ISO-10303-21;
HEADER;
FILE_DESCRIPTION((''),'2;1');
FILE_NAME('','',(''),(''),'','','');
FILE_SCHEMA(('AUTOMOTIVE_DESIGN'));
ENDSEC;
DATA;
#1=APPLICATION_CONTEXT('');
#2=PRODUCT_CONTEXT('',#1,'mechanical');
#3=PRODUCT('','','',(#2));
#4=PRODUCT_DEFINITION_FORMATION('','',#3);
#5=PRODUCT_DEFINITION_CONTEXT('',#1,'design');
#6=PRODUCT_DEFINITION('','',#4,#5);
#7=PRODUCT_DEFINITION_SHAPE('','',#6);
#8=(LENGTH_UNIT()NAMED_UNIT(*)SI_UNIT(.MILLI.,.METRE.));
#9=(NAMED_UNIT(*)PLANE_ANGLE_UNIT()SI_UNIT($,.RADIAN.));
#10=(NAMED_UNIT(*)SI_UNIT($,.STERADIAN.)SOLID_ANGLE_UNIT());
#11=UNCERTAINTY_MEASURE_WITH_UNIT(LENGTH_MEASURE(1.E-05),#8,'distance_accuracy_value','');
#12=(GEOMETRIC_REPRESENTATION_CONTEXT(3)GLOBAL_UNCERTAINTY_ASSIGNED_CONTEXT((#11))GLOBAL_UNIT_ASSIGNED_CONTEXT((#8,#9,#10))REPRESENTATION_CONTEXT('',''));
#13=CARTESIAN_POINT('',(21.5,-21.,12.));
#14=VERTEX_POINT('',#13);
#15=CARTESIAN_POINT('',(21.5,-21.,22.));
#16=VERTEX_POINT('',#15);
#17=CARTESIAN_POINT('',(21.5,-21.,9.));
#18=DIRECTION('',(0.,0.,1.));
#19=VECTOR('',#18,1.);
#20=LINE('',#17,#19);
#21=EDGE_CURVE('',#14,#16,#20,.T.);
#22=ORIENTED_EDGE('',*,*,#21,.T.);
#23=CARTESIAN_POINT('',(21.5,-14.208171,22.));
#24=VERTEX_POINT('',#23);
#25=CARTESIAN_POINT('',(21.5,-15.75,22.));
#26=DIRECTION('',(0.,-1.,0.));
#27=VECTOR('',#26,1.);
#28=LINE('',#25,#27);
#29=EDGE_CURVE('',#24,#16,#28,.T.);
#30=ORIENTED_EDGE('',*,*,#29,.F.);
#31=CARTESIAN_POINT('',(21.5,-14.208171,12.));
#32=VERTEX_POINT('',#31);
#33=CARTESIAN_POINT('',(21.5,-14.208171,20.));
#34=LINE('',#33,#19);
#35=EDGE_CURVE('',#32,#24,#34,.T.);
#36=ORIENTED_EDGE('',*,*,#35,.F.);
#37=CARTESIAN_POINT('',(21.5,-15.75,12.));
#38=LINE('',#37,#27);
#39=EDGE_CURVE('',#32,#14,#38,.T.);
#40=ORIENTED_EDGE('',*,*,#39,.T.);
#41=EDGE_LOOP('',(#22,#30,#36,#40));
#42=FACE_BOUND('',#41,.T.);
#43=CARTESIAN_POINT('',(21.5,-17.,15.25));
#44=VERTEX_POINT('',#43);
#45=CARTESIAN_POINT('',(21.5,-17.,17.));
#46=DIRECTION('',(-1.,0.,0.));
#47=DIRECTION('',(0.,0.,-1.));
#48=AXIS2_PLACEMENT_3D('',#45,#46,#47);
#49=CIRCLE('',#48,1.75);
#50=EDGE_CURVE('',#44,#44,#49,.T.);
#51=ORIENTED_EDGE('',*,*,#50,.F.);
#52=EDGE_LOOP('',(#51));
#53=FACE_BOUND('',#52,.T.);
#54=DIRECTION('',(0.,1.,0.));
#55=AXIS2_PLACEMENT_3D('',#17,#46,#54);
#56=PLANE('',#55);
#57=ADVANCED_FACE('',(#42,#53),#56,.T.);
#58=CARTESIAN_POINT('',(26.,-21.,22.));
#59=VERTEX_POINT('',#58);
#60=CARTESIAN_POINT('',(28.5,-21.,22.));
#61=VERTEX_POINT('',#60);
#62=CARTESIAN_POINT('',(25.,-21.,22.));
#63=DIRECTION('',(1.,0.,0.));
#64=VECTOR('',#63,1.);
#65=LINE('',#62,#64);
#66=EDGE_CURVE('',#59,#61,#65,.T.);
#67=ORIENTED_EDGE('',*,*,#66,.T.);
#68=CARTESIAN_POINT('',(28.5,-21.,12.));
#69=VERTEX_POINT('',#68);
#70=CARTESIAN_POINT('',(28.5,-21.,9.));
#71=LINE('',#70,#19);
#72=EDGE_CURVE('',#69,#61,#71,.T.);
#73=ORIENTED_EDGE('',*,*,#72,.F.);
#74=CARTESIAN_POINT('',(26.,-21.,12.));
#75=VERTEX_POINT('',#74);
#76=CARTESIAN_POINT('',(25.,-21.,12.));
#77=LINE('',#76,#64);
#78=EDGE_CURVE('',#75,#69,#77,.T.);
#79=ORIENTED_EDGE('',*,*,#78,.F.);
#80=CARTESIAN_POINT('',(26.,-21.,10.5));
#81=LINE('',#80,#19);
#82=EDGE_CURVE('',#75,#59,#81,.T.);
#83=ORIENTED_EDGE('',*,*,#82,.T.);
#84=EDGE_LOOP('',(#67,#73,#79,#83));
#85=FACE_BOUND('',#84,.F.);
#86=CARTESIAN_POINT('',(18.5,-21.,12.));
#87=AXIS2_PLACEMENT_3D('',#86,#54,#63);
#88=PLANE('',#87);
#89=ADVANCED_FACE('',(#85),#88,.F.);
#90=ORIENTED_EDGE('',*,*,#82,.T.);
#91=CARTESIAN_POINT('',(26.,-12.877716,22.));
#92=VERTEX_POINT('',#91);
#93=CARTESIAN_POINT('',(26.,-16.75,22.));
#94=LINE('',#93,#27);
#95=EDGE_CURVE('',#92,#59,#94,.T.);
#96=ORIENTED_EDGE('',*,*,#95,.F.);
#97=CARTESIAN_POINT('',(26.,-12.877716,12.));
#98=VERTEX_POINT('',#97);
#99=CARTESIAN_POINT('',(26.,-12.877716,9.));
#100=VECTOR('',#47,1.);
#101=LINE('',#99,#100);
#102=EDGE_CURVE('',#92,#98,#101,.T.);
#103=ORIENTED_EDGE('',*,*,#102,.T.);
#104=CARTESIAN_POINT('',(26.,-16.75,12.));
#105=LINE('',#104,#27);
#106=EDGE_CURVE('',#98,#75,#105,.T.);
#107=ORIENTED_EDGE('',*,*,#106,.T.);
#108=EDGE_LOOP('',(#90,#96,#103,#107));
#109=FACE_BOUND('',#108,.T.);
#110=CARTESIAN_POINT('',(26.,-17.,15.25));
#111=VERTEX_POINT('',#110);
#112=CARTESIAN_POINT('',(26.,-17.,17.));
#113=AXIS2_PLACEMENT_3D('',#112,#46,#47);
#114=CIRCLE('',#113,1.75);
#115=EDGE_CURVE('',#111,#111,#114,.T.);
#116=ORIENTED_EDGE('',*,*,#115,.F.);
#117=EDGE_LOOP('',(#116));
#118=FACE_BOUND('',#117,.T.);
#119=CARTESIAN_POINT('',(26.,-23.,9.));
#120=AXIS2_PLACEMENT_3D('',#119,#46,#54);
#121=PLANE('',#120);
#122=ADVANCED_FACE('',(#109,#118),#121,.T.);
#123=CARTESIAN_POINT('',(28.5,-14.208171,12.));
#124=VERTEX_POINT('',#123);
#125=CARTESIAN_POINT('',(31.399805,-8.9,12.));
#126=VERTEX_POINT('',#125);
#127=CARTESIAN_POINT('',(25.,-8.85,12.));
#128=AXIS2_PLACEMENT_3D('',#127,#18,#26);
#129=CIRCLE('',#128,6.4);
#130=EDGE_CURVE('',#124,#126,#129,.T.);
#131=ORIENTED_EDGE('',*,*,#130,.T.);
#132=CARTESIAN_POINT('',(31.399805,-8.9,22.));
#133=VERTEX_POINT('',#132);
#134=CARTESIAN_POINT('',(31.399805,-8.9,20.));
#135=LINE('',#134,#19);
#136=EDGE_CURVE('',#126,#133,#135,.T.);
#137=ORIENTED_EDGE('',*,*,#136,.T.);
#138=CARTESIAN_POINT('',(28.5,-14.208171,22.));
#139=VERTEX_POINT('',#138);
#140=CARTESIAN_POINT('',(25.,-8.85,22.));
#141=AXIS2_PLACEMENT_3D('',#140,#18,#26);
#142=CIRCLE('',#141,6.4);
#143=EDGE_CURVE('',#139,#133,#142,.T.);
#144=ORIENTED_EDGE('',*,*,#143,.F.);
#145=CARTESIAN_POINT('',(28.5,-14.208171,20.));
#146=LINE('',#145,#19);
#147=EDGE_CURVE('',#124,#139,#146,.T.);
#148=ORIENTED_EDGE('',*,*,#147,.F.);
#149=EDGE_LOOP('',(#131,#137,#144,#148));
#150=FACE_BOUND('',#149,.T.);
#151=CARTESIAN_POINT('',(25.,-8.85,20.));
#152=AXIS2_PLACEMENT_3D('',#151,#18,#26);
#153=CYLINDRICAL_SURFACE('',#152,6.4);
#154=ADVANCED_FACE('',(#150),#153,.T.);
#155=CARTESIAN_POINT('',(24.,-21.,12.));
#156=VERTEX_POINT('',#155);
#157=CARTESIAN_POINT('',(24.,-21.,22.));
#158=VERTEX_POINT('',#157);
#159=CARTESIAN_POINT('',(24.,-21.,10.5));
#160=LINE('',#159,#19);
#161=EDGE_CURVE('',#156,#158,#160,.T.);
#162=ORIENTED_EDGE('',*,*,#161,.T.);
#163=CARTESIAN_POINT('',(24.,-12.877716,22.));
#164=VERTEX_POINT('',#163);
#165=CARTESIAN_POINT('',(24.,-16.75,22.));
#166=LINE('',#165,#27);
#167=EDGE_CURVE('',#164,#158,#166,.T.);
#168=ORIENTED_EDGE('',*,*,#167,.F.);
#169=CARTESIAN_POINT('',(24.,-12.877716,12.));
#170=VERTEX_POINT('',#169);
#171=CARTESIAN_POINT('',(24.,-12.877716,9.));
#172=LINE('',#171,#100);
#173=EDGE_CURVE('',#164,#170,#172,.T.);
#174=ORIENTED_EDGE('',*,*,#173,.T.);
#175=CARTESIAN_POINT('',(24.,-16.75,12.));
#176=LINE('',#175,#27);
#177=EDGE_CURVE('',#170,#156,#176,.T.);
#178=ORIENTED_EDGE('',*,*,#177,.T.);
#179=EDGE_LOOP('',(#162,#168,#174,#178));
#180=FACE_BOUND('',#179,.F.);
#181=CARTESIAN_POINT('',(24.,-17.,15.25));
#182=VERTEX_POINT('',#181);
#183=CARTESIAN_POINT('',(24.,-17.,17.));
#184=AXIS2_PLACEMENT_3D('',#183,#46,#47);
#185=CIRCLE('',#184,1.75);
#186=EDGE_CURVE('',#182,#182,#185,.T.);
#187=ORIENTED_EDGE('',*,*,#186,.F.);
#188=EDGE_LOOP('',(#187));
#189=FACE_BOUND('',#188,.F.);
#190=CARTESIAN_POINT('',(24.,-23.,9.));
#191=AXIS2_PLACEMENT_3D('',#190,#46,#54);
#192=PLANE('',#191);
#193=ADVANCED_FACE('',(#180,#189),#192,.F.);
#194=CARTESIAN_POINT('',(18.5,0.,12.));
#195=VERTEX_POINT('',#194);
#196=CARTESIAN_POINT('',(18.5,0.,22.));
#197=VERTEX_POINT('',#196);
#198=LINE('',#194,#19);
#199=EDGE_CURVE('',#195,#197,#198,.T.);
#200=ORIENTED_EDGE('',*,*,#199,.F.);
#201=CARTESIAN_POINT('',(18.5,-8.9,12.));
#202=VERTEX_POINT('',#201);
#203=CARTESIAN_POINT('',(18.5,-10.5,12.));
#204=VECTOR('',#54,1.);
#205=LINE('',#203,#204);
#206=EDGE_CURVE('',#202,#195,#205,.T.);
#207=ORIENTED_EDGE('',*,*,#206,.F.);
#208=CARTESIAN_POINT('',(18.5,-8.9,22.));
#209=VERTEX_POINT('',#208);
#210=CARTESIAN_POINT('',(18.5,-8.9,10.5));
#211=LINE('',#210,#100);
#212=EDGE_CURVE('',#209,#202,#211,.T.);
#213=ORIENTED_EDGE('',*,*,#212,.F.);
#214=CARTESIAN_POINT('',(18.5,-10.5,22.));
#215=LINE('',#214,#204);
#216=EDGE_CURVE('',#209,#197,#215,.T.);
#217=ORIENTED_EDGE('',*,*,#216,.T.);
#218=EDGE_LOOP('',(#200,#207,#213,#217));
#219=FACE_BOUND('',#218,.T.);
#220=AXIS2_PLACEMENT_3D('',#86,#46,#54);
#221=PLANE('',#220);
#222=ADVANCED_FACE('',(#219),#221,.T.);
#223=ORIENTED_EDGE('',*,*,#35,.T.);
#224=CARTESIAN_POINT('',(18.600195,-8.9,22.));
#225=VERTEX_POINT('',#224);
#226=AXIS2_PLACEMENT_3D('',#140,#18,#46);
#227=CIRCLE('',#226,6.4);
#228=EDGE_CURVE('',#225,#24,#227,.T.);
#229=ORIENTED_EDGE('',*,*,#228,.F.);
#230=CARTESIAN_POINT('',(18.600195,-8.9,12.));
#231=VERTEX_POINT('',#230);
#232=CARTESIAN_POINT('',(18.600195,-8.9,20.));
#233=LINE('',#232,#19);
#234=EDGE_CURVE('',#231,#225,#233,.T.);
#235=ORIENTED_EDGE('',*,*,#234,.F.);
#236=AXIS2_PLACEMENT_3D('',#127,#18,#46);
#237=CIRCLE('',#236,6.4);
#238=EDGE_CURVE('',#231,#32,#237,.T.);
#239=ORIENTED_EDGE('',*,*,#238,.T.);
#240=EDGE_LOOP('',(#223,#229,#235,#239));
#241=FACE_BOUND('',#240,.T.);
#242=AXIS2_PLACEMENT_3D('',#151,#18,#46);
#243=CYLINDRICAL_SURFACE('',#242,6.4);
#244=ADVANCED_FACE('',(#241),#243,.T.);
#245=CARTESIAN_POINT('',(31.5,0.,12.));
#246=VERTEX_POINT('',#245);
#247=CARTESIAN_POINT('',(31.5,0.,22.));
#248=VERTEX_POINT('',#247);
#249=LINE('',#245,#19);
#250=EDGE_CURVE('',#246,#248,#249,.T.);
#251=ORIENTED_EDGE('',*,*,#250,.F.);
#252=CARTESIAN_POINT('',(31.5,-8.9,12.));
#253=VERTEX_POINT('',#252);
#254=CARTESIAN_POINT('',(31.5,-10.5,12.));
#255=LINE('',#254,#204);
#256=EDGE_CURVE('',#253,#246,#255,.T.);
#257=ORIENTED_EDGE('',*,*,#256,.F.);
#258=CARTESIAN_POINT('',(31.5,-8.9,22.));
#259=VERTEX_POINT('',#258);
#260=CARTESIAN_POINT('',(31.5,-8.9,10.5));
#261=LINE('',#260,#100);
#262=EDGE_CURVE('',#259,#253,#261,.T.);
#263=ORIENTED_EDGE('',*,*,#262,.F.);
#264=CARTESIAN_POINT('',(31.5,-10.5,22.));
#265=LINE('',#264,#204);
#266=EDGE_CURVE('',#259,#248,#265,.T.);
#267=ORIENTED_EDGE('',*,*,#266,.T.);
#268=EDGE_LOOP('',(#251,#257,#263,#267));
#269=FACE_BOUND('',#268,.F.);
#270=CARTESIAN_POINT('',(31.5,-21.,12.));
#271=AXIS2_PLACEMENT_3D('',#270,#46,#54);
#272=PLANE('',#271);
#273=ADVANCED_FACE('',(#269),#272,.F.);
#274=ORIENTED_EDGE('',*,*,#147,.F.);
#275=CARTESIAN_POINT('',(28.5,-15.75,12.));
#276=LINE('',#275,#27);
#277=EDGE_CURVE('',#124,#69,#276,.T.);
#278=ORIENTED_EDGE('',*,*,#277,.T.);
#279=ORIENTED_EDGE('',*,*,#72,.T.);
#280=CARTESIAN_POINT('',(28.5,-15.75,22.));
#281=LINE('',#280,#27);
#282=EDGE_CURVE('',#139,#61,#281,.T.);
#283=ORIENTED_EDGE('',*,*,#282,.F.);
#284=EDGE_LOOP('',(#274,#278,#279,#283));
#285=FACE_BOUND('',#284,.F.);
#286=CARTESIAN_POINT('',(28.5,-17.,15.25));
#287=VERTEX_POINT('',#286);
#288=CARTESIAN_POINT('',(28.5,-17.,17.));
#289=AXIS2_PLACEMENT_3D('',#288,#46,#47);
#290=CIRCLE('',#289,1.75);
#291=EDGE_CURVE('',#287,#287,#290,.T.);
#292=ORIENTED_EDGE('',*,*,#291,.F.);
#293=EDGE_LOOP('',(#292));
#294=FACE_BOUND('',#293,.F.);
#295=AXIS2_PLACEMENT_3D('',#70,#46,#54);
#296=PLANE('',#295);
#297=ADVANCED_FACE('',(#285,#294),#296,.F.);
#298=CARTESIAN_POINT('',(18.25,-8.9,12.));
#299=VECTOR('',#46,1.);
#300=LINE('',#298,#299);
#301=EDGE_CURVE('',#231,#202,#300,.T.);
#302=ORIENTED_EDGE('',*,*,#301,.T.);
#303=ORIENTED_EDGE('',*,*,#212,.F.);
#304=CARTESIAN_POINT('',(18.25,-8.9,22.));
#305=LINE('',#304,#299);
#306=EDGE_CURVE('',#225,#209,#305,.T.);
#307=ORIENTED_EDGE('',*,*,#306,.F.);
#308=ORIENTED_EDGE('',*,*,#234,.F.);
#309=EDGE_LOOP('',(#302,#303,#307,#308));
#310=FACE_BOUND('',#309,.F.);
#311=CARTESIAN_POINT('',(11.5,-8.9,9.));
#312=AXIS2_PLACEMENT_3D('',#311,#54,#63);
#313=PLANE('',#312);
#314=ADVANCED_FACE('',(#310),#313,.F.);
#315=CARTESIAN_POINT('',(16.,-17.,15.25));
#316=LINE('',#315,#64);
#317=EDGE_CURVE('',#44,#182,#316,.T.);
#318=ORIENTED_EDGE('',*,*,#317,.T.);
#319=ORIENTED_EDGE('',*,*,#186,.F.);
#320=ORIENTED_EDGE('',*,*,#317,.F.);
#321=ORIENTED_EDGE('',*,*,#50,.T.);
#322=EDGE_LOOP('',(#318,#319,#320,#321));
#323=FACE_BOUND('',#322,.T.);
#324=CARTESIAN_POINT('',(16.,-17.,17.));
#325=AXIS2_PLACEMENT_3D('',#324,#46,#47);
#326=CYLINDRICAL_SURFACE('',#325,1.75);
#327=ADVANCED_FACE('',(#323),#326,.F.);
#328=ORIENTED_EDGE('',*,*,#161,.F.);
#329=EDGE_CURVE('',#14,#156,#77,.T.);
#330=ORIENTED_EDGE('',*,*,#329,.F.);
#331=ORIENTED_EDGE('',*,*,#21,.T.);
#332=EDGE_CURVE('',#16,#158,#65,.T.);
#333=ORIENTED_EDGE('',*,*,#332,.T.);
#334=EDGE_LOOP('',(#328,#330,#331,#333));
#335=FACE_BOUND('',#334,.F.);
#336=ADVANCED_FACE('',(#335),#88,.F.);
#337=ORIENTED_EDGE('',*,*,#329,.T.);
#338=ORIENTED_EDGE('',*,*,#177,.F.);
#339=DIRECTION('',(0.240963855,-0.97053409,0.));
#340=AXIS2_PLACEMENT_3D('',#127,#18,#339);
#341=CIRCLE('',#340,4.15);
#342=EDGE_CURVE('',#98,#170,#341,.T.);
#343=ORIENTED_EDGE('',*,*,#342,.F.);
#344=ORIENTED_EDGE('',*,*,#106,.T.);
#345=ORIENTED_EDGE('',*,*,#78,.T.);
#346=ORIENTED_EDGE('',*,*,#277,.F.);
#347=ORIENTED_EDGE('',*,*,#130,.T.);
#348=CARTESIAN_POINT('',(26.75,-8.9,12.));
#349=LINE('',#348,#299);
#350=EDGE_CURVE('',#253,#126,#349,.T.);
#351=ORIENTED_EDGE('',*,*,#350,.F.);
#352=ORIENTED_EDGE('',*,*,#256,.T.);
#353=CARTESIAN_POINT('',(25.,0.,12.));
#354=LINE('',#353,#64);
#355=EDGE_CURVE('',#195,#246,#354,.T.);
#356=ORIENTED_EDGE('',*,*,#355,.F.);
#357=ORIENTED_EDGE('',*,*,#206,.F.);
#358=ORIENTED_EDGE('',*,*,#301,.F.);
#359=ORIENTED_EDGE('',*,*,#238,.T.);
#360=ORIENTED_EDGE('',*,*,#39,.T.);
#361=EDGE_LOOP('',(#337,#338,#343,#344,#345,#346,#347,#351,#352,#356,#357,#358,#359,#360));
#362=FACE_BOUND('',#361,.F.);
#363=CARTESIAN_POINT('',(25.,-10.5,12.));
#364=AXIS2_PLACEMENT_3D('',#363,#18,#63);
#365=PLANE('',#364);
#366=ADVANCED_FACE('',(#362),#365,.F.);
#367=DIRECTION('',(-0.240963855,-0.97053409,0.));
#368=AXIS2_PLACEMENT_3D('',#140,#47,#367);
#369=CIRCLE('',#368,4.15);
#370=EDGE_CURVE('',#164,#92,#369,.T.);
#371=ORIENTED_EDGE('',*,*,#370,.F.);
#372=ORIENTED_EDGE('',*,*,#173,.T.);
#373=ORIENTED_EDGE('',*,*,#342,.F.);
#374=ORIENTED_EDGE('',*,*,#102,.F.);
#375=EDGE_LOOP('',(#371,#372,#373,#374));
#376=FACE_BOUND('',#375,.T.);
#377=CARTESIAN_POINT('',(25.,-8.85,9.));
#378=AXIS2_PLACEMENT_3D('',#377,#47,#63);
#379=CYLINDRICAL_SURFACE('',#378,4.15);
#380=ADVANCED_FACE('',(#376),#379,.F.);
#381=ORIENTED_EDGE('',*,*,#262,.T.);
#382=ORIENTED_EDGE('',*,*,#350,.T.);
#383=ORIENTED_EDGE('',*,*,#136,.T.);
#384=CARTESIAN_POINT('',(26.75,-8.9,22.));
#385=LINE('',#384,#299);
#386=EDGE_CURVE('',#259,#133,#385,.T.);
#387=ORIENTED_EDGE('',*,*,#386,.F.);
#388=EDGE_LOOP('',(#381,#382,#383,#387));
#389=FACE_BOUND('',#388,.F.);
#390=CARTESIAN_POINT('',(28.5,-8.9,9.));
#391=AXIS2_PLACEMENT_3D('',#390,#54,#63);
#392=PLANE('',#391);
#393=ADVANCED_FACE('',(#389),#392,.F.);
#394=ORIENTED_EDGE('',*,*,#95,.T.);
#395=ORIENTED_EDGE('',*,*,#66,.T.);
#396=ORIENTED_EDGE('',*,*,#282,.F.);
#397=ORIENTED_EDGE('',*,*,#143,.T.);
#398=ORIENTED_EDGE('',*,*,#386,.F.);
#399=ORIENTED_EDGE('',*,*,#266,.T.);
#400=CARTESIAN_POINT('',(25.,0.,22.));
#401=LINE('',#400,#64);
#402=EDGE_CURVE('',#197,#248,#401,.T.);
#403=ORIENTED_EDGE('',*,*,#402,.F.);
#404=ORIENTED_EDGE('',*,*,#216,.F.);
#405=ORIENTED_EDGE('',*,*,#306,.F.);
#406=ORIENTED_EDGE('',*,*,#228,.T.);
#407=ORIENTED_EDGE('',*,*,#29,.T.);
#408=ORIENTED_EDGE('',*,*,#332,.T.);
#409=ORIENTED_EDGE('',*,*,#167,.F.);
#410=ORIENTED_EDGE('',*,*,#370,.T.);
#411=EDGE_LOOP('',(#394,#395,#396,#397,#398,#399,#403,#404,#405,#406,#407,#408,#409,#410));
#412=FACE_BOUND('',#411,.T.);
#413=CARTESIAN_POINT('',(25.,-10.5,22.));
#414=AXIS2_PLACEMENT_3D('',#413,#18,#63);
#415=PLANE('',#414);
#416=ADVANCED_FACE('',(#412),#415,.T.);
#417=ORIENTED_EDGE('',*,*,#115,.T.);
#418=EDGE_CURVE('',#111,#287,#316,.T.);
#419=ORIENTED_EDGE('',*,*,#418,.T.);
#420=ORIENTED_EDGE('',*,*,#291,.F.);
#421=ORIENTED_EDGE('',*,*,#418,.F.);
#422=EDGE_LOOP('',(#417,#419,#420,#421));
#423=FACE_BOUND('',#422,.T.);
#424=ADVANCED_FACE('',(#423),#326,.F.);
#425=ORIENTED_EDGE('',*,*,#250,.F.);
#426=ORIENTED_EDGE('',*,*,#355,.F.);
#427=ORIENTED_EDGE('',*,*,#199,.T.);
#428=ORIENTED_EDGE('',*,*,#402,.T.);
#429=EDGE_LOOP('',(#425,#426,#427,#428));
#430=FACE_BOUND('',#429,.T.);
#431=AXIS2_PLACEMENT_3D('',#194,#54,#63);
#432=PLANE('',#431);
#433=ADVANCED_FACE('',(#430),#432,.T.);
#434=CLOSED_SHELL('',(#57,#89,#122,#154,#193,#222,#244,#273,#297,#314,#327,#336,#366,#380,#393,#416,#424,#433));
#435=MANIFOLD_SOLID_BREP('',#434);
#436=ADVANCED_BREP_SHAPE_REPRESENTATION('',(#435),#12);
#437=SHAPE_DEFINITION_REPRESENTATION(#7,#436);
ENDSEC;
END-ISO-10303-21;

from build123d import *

# Parameters (mm, degrees)
CYLINDER003_W     = 6.4
CYLINDER003_H     = 22
CYLINDER003_ANGLE = 90
BOX004_W          = 10
BOX004_H          = 12.1
BOX004_DEPTH      = 22
CYLINDER002_W     = 6.4
CYLINDER002_H     = 22
CYLINDER002_ANGLE = 90
BOX003_W          = 10
BOX003_H          = 12.1
BOX003_DEPTH      = 22
BOX002_W          = 2
BOX002_H          = 11
BOX002_DEPTH      = 22
CYLINDER001_R     = 1.75
CYLINDER001_DEPTH = 18
CYLINDER_R        = 4.15
CYLINDER_DEPTH    = 22
BOX001_W          = 13
BOX001_H          = 21
BOX001_DEPTH      = 10


with BuildPart() as cylinder003:
    # Cylinder003 → Cylinder003 (revolve)
    with BuildSketch(Plane(origin=(25, -6.85, -3), x_dir=(-1, 0, 0), z_dir=(0, 1, 0))):
        with Locations((3.2, 11)):
            Rectangle(CYLINDER003_W, CYLINDER003_H)
    revolve(axis=Axis((25, -6.85, -3), (0, 0, 1)), revolution_arc=CYLINDER003_ANGLE)


with BuildPart() as cut004:
    # Box004 → Box004 (new body)
    with BuildSketch(Plane(origin=(11.5, -19, -3), x_dir=(1, 0, 0), z_dir=(0, 0, 1))):
        with Locations((5, 6.05)):
            Rectangle(BOX004_W, BOX004_H)
    extrude(amount=BOX004_DEPTH)

    # Cut004: cut Cylinder003
    add(cylinder003.part, mode=Mode.SUBTRACT)


with BuildPart() as cylinder002:
    # Cylinder002 → Cylinder002 (revolve)
    with BuildSketch(Plane(origin=(25, -6.85, -3), x_dir=(0, -1, 0), z_dir=(-1, 0, 0))):
        with Locations((3.2, 11)):
            Rectangle(CYLINDER002_W, CYLINDER002_H)
    revolve(axis=Axis((25, -6.85, -3), (0, 0, 1)), revolution_arc=CYLINDER002_ANGLE)


with BuildPart() as cut003:
    # Box003 → Box003 (new body)
    with BuildSketch(Plane(origin=(28.5, -19, -3), x_dir=(1, 0, 0), z_dir=(0, 0, 1))):
        with Locations((5, 6.05)):
            Rectangle(BOX003_W, BOX003_H)
    extrude(amount=BOX003_DEPTH)

    # Cut003: cut Cylinder002
    add(cylinder002.part, mode=Mode.SUBTRACT)


with BuildPart() as cube002:
    # Box002 → Box002 (new body)
    with BuildSketch(Plane(origin=(24, -21, -3), x_dir=(1, 0, 0), z_dir=(0, 0, 1))):
        with Locations((1, 5.5)):
            Rectangle(BOX002_W, BOX002_H)
    extrude(amount=BOX002_DEPTH)


with BuildPart() as cylinder001:
    # Cylinder001 → Cylinder001 (new body)
    with BuildSketch(Plane(origin=(16, -15, 5), x_dir=(0, 0, -1), z_dir=(1, 0, 0))):
        Circle(CYLINDER001_R)
    extrude(amount=CYLINDER001_DEPTH)


with BuildPart() as cylinder:
    # Cylinder → Cylinder (new body)
    with BuildSketch(Plane(origin=(25, -6.85, -3), x_dir=(1, 0, 0), z_dir=(0, 0, 1))):
        Circle(CYLINDER_R)
    extrude(amount=CYLINDER_DEPTH)


with BuildPart() as cut006:
    # Box001 → Box001 (new body)
    with BuildSketch(Plane(origin=(18.5, -19, 0), x_dir=(1, 0, 0), z_dir=(0, 0, 1))):
        with Locations((6.5, 10.5)):
            Rectangle(BOX001_W, BOX001_H)
    extrude(amount=BOX001_DEPTH)

    # Cut: cut Cylinder
    add(cylinder.part, mode=Mode.SUBTRACT)

    # Cut001: cut Cylinder001
    add(cylinder001.part, mode=Mode.SUBTRACT)

    # Cut002: cut Cube002
    add(cube002.part, mode=Mode.SUBTRACT)

    # Cut005: cut Cut003
    add(cut003.part, mode=Mode.SUBTRACT)

    # Cut006: cut Cut004
    add(cut004.part, mode=Mode.SUBTRACT)


with BuildPart() as cut006_1:
    # Cut006 placement: moved
    add(cut006.part.moved(Location((0, -2, 12))))


solid = cut006_1.part
